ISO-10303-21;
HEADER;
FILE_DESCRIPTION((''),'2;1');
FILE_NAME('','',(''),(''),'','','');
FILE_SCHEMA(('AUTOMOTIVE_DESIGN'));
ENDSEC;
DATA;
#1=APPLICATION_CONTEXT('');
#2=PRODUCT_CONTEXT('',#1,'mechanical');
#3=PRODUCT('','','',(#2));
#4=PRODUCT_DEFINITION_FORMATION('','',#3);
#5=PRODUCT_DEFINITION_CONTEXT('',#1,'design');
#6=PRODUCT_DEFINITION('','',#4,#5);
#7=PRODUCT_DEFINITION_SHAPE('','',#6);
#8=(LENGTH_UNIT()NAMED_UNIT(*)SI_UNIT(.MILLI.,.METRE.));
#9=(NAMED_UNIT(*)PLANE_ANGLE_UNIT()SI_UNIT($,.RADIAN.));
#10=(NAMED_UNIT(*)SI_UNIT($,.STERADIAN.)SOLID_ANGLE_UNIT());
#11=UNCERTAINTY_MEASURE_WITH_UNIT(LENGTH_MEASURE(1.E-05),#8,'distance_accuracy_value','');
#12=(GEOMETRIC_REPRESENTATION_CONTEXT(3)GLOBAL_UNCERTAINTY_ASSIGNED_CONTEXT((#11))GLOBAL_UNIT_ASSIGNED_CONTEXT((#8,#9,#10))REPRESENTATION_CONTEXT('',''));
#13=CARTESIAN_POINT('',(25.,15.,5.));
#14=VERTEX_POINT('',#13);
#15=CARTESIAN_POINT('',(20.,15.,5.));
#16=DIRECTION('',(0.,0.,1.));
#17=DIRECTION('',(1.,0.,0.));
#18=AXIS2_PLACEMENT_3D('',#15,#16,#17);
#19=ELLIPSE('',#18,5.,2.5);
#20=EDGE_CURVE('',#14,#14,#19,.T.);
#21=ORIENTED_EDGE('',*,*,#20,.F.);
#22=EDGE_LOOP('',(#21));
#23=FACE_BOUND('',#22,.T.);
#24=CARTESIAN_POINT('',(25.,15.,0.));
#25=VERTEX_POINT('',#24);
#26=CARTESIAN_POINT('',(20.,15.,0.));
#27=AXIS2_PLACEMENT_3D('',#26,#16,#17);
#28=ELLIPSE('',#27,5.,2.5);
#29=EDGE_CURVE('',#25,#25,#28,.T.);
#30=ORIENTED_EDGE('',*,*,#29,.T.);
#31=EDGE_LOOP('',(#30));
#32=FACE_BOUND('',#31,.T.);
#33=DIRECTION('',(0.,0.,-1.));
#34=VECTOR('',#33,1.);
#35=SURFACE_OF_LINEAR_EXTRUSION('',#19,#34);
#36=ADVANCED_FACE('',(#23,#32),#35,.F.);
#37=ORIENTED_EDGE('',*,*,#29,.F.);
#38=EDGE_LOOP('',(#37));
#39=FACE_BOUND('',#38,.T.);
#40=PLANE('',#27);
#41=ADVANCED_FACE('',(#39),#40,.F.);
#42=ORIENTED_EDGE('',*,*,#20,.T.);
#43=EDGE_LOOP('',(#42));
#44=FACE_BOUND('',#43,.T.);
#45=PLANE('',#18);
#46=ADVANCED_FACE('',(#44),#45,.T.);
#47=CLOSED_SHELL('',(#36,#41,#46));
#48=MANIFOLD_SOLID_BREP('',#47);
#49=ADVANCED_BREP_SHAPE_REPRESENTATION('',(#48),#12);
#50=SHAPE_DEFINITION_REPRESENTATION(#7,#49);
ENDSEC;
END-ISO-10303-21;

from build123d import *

# Parameters (mm, degrees)
SKETCH1_RX          = 5
SKETCH1_RY          = 2.5
BOSS_EXTRUDE1_DEPTH = 5


with BuildPart() as part:
    # Sketch1 → Boss-Extrude1 (new body)
    with BuildSketch(Plane.XY):
        with Locations((20, 15)):
            Ellipse(SKETCH1_RX, SKETCH1_RY)
    extrude(amount=BOSS_EXTRUDE1_DEPTH)


solid = part.part
